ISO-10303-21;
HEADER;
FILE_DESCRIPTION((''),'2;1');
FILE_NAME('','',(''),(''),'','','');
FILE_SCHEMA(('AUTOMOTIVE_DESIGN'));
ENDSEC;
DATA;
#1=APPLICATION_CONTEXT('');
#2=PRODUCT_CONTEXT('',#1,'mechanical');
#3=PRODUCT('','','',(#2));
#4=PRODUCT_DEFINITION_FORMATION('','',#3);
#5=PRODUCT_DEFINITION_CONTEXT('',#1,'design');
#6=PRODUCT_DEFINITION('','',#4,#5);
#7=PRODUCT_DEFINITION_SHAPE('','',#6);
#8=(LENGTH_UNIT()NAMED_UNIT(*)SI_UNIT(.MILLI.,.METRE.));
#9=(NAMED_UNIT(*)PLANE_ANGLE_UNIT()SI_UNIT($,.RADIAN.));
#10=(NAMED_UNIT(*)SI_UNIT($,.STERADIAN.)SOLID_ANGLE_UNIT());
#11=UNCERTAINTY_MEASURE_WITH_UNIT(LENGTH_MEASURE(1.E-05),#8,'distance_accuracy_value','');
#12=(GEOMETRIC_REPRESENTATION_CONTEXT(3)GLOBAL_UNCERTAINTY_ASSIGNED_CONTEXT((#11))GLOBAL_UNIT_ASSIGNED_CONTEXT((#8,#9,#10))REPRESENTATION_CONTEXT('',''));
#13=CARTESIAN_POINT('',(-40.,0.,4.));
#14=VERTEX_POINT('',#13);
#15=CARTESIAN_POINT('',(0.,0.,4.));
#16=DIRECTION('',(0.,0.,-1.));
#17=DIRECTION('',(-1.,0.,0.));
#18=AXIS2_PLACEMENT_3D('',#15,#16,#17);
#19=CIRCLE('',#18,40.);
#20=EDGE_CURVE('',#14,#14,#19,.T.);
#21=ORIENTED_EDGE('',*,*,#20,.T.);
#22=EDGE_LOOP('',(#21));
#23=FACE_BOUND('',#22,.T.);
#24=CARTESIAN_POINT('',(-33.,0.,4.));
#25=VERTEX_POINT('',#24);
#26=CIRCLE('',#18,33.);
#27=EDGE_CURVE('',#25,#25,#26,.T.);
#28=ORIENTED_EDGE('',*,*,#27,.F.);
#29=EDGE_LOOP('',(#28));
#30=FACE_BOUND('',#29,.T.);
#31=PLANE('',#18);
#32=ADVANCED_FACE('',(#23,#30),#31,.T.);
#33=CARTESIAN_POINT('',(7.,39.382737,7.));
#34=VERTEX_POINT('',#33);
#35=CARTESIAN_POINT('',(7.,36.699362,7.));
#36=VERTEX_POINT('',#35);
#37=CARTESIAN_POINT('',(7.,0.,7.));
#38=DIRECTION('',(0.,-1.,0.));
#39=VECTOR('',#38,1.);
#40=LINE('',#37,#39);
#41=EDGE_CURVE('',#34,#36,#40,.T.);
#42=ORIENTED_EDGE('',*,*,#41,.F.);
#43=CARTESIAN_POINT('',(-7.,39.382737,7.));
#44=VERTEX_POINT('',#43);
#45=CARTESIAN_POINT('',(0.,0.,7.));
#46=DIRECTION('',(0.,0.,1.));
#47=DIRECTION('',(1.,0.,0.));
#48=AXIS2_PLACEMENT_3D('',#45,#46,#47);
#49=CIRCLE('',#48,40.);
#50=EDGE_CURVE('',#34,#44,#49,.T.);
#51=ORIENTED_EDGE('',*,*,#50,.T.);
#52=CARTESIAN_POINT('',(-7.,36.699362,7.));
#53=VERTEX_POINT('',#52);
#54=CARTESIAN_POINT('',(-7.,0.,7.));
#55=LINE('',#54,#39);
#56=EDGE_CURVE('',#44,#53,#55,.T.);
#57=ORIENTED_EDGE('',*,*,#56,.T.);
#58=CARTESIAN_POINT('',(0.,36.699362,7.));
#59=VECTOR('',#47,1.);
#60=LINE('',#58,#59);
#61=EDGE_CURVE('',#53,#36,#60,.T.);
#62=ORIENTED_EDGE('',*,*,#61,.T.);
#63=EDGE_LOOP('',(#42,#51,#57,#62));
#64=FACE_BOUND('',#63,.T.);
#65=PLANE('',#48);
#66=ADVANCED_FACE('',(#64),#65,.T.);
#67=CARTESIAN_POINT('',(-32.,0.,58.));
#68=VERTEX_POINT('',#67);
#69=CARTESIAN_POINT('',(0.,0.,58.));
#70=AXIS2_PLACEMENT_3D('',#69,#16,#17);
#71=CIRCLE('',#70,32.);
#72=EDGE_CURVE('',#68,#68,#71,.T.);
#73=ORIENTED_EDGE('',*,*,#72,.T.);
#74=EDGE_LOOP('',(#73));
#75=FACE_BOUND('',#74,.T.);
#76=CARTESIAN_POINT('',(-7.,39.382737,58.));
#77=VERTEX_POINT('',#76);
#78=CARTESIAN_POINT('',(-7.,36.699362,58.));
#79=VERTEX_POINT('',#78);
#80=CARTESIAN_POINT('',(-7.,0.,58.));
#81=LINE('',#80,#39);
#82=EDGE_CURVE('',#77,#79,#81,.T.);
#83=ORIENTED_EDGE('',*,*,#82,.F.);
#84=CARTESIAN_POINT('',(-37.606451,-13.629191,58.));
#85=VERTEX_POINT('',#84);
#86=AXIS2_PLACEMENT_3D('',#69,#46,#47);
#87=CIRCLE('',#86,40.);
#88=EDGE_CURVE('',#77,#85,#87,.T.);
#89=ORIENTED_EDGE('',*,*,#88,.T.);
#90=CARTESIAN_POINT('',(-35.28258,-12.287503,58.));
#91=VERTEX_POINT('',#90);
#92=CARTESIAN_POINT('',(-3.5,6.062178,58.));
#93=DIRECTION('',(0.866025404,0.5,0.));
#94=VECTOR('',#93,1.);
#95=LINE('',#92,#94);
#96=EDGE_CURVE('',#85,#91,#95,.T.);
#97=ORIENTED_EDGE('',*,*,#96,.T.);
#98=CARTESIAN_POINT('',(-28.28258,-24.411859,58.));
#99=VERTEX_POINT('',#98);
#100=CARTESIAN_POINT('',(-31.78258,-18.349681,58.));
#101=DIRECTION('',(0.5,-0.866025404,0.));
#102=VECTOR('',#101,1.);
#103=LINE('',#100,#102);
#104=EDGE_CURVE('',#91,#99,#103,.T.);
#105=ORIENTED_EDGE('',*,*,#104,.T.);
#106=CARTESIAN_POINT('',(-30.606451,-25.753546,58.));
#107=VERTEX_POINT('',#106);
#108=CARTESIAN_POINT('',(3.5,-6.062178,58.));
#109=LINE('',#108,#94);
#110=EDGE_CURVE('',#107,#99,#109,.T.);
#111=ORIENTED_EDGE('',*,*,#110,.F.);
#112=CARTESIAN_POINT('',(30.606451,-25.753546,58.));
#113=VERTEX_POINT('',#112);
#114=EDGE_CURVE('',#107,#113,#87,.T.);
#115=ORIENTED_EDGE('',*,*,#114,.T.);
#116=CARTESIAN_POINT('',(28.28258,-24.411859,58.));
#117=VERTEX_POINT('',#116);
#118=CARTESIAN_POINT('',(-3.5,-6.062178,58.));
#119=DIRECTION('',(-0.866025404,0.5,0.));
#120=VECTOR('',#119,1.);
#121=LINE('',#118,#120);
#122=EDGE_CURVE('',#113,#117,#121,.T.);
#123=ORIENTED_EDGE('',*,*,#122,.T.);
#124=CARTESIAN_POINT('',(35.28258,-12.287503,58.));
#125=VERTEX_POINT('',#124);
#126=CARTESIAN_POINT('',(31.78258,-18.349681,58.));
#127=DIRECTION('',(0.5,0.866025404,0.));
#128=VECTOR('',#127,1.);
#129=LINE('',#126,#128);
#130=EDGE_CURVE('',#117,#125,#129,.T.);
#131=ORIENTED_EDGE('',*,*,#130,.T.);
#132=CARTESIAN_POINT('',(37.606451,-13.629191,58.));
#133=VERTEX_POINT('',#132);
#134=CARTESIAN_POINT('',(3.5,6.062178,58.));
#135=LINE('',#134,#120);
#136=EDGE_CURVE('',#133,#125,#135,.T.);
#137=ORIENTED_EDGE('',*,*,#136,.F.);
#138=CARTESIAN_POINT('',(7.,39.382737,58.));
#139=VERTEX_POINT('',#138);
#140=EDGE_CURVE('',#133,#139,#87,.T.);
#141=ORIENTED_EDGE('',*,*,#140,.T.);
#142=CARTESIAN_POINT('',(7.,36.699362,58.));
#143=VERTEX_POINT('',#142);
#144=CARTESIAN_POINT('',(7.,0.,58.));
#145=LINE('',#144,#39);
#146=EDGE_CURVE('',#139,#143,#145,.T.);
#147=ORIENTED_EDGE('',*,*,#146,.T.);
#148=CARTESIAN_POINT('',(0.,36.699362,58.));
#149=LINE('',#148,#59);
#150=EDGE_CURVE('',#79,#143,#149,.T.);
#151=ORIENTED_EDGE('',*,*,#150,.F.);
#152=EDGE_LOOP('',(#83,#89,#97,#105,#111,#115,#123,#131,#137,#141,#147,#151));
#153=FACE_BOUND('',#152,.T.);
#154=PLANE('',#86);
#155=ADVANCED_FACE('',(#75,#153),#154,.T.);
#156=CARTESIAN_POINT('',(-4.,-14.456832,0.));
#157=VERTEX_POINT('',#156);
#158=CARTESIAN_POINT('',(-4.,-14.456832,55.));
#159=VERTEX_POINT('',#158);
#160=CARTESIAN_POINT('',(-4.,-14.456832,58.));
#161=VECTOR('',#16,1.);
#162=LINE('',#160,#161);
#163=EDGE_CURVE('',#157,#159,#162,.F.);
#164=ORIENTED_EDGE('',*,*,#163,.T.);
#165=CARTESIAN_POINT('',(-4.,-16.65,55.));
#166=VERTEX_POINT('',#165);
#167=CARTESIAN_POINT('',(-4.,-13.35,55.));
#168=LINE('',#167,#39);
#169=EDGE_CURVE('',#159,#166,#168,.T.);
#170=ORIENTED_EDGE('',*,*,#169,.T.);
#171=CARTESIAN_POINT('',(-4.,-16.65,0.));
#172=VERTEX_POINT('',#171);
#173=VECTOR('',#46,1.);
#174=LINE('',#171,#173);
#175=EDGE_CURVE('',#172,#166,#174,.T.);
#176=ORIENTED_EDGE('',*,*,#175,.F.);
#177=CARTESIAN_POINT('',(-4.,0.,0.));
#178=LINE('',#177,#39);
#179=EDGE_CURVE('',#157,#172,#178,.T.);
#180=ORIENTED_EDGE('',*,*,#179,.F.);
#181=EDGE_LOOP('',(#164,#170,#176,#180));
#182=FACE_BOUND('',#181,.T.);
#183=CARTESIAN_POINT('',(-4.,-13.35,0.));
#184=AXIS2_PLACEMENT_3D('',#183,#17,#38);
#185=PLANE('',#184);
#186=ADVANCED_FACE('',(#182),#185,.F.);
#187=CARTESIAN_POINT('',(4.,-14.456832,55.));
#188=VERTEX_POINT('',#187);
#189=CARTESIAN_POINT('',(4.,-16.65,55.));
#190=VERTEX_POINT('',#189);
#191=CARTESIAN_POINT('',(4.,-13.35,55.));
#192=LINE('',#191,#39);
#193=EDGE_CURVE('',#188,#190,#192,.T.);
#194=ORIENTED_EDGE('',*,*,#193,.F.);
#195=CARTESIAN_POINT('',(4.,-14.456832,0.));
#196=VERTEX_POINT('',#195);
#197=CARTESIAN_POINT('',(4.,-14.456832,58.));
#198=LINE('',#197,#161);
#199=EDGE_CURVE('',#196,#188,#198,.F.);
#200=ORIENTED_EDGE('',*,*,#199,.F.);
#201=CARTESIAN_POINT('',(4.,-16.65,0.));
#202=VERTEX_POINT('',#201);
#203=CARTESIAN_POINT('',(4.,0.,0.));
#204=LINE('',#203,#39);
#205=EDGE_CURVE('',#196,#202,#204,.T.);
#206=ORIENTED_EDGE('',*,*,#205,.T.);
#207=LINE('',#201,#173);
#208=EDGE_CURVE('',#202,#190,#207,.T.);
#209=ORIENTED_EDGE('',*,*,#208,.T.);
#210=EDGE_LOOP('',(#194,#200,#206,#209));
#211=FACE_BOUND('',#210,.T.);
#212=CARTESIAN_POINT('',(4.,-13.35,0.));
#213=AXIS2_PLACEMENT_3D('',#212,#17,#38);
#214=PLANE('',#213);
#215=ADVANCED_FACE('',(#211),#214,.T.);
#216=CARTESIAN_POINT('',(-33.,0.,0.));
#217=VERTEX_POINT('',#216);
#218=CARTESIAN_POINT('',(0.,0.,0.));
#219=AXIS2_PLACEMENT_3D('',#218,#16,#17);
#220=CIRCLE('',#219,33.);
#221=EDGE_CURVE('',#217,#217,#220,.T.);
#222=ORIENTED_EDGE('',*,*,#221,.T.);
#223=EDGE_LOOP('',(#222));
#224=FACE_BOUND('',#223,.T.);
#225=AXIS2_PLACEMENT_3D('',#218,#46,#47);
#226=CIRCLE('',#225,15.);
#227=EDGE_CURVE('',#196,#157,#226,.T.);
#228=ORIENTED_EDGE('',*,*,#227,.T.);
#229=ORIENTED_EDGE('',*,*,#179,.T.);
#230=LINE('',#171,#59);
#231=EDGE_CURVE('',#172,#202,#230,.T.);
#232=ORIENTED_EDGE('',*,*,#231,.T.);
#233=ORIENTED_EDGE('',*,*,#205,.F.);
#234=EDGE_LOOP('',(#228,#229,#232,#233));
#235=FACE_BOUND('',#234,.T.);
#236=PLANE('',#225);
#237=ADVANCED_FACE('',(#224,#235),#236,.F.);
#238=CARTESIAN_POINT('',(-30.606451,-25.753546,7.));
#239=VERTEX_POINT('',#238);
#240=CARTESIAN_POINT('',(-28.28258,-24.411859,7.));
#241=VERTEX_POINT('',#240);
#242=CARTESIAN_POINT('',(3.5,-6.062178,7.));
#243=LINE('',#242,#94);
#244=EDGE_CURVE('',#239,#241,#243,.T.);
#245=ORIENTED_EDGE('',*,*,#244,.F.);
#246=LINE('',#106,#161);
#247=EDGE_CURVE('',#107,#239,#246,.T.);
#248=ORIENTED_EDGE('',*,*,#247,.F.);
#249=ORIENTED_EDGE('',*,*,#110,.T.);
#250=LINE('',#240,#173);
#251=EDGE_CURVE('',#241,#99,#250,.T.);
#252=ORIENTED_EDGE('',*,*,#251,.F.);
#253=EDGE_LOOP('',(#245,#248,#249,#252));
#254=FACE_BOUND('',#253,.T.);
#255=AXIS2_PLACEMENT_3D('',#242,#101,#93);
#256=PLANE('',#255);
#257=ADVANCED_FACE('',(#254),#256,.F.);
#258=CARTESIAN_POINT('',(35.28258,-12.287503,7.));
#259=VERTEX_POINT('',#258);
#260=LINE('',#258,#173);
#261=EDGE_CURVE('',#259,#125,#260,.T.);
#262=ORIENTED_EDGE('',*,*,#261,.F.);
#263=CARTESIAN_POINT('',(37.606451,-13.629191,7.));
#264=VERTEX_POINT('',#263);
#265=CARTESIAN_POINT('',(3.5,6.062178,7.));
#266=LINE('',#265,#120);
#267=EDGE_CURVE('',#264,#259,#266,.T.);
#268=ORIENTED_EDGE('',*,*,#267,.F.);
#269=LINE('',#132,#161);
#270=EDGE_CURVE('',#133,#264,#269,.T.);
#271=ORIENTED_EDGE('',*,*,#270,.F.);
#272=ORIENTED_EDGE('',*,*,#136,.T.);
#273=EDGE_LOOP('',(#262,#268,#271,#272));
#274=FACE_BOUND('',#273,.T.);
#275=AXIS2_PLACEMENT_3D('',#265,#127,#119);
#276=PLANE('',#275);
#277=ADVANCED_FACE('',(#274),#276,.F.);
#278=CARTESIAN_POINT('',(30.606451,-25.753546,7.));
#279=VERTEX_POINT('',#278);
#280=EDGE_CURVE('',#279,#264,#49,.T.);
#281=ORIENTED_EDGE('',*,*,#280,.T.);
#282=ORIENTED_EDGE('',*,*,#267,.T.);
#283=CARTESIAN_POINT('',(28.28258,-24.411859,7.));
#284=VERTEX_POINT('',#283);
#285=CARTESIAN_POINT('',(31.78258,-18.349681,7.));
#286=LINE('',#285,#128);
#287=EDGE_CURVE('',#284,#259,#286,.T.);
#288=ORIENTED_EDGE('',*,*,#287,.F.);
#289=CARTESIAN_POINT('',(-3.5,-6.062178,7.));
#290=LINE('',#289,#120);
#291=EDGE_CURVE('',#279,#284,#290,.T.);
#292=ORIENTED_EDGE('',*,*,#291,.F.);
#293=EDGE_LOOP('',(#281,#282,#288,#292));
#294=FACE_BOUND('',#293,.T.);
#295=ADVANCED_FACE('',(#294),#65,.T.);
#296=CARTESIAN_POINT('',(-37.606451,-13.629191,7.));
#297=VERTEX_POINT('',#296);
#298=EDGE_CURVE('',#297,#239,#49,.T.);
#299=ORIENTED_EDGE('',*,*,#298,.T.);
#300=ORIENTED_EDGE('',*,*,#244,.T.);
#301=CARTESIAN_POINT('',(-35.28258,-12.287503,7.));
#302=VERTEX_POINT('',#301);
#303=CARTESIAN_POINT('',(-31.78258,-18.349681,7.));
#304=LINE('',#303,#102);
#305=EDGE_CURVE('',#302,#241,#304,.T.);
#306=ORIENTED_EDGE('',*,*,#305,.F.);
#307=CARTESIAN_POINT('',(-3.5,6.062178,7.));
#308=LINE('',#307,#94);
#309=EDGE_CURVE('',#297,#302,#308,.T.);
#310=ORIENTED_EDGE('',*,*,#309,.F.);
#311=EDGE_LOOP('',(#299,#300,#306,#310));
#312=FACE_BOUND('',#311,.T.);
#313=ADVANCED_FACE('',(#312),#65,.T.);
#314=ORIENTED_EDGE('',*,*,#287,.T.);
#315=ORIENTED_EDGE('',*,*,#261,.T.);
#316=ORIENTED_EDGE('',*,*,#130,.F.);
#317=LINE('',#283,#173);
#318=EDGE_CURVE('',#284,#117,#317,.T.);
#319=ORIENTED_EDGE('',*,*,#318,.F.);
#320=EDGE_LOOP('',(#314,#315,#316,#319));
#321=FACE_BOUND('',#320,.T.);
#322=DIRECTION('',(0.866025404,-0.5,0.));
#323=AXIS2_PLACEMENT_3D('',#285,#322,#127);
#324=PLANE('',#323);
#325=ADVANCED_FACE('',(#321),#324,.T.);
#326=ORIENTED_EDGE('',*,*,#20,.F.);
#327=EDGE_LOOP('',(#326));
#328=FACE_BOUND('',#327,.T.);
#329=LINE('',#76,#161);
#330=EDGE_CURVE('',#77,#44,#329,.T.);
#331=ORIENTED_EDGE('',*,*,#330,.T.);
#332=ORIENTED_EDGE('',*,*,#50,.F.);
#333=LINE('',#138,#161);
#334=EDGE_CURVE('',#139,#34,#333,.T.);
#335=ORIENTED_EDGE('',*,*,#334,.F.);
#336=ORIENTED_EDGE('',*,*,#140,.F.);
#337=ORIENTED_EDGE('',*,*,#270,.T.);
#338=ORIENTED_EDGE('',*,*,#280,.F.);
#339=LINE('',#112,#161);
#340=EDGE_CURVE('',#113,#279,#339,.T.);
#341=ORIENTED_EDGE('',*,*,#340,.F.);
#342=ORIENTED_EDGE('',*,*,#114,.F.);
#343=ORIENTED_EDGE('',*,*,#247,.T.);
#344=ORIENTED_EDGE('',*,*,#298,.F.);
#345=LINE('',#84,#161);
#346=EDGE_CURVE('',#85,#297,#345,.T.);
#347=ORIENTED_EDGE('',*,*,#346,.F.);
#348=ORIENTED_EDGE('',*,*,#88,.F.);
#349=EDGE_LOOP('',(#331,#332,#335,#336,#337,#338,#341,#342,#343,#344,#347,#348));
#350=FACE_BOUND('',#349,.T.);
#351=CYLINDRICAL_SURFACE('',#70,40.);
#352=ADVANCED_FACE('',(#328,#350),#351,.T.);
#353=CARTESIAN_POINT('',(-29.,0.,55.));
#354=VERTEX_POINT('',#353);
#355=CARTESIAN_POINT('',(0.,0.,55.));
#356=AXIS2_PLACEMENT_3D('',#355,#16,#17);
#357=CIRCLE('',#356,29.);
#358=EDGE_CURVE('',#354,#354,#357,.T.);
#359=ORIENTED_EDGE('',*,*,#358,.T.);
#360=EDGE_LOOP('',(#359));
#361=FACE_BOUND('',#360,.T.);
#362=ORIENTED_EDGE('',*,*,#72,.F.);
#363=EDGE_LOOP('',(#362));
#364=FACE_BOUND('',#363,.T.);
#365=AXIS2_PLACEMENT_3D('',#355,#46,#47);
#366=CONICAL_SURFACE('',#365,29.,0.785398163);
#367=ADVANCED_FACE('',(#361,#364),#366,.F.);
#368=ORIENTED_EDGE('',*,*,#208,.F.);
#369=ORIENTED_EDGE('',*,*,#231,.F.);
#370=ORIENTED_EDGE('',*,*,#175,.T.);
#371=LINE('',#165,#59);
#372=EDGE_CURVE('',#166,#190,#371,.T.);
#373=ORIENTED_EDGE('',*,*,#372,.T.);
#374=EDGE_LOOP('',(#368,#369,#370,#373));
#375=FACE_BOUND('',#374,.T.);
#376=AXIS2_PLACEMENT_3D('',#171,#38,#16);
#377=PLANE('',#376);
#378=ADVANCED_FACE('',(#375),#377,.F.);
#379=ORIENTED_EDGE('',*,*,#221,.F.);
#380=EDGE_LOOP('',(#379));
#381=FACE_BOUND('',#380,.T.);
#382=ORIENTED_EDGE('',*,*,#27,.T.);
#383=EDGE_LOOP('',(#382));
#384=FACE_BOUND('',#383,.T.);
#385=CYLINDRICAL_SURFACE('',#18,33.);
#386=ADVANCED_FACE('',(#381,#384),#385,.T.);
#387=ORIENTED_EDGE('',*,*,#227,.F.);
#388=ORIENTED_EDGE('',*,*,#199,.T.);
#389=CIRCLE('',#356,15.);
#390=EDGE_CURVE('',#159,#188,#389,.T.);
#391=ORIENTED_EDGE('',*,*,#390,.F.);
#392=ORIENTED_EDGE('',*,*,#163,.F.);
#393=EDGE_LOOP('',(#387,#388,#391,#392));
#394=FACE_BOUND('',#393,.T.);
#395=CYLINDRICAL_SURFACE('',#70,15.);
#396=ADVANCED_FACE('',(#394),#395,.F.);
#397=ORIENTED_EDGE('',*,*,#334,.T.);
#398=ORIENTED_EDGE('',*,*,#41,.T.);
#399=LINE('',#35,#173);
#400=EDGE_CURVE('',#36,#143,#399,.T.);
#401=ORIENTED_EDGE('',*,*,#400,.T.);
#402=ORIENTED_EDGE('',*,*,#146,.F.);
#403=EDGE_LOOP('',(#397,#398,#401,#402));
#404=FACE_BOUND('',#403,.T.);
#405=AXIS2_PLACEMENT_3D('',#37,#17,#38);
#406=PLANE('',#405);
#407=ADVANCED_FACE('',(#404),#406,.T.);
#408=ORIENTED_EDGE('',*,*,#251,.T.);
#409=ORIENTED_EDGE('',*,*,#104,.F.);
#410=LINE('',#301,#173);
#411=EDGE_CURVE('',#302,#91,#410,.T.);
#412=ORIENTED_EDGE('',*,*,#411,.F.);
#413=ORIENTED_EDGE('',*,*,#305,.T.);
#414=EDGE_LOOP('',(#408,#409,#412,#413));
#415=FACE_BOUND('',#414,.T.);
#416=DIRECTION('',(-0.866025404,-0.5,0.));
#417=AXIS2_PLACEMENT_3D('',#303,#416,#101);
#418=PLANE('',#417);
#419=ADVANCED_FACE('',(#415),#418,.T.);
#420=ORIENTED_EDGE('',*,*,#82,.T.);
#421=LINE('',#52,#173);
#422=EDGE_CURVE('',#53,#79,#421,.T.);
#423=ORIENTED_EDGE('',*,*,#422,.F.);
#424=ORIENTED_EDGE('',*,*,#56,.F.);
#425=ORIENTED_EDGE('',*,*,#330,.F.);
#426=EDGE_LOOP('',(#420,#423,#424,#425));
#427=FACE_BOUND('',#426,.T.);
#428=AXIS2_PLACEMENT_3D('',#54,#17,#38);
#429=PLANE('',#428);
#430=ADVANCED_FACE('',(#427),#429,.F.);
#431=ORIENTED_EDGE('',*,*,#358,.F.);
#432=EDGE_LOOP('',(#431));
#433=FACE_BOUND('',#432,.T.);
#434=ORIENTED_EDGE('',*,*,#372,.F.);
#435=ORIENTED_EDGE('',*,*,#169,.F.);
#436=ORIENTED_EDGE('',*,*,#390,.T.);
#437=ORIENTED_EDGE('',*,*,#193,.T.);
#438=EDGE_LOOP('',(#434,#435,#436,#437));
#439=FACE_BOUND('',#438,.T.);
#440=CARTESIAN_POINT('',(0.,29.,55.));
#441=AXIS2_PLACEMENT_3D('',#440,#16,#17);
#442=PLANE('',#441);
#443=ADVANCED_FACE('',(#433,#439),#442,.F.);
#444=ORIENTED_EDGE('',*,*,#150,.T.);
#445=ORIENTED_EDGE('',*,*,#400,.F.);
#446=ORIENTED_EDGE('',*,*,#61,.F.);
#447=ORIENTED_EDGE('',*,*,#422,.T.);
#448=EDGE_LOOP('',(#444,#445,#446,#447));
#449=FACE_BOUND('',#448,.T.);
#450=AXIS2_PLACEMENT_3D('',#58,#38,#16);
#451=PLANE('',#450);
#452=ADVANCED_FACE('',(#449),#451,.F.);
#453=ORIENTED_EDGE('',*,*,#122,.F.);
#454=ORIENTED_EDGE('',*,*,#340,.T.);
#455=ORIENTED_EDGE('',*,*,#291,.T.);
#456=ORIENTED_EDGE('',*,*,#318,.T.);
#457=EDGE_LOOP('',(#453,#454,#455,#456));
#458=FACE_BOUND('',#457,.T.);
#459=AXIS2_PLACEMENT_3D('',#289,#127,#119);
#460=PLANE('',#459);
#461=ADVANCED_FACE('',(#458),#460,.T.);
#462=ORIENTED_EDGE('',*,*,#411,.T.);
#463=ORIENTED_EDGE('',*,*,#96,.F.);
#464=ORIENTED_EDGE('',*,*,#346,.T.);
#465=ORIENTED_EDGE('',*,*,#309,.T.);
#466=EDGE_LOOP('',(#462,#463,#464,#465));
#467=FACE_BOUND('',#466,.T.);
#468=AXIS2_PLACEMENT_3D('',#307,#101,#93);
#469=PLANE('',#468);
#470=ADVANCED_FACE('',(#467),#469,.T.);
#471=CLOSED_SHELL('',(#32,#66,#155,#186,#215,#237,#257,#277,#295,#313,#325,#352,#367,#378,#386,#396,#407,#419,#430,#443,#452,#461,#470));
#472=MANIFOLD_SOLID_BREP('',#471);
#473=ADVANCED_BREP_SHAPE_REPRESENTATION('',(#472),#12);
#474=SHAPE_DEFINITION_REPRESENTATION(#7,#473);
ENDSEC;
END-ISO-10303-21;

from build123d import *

# Parameters (mm, degrees)
ESQUISSE1_R             = 40
ESQUISSE1_R_2           = 33
ESQUISSE1_R_3           = 15
BOSS_EXTRU_1_DEPTH      = 58
ESQUISSE2_W             = 8
ESQUISSE2_H             = 3.3
ENL_V_MAT_EXTRU_1_DEPTH = 82.018516402
ENL_V_START             = -51
ENL_V_MAT_EXTRU_2_DEPTH = 51
ESQUISSE4_R             = 40
ESQUISSE4_R_2           = 33
ENL_V_MAT_EXTRU_3_DEPTH = 4


with BuildPart() as part:
    # Esquisse1 → Boss.-Extru.1 (new body)
    # profile 1 of 2: a face of its own
    with BuildSketch(Plane.XY):
        with Locations(Location((0, 0, 0), (0, 0, 180))):
            Circle(ESQUISSE1_R)
        Circle(ESQUISSE1_R_2, mode=Mode.SUBTRACT)
    # profile 2 of 2: a face of its own
    with BuildSketch(Plane.XY):
        Circle(ESQUISSE1_R_2)
        with Locations(Location((0, 0, 0), (0, 0, 180))):
            Circle(ESQUISSE1_R_3, mode=Mode.SUBTRACT)
    extrude(amount=BOSS_EXTRU_1_DEPTH)

    # Esquisse2 → Enlèv. mat.-Extru.1 (cut, through all)
    with BuildSketch(Plane.XY.offset(58)):
        with Locations((0, -15)):
            Rectangle(ESQUISSE2_W, ESQUISSE2_H)
    extrude(amount=-ENL_V_MAT_EXTRU_1_DEPTH, mode=Mode.SUBTRACT)

    # Esquisse3 → Enlèv. mat.-Extru.2 (cut)
    with BuildSketch(Plane.XY.offset(58).offset(ENL_V_START)):
        with BuildLine():
            Line((40.999452493, -15.588141165), (37.606451003, -13.629190841))
            ThreePointArc((37.606451003, -13.629190841), (34.641016151, -20), (30.606451003, -25.753546494))
            Line((30.606451003, -25.753546494), (33.999452493, -27.712496818))
            Line((33.999452493, -27.712496818), (40.999452493, -15.588141165))
        make_face()
        with BuildLine():
            ThreePointArc((30.606451003, -25.753546494), (34.641016151, -20), (37.606451003, -13.629190841))
            Line((37.606451003, -13.629190841), (35.28257981, -12.287503182))
            Line((35.28257981, -12.287503182), (28.28257981, -24.411858835))
            Line((28.28257981, -24.411858835), (30.606451003, -25.753546494))
        make_face()
        with BuildLine():
            ThreePointArc((-30.606451003, -25.753546494), (-34.641016151, -20), (-37.606451003, -13.629190841))
            Line((-37.606451003, -13.629190841), (-40.999452493, -15.588141165))
            Line((-40.999452493, -15.588141165), (-33.999452493, -27.712496818))
            Line((-33.999452493, -27.712496818), (-30.606451003, -25.753546494))
        make_face()
        with BuildLine():
            Line((-35.28257981, -12.287503182), (-37.606451003, -13.629190841))
            ThreePointArc((-37.606451003, -13.629190841), (-34.641016151, -20), (-30.606451003, -25.753546494))
            Line((-30.606451003, -25.753546494), (-28.28257981, -24.411858835))
            Line((-28.28257981, -24.411858835), (-35.28257981, -12.287503182))
        make_face()
        with BuildLine():
            ThreePointArc((7, 39.382737335), (0, 40), (-7, 39.382737335))
            Line((-7, 39.382737335), (-7, 36.699362017))
            Line((-7, 36.699362017), (7, 36.699362017))
            Line((7, 36.699362017), (7, 39.382737335))
        make_face()
        with BuildLine():
            Line((7, 43.300637983), (-7, 43.300637983))
            Line((-7, 43.300637983), (-7, 39.382737335))
            ThreePointArc((-7, 39.382737335), (0, 40), (7, 39.382737335))
            Line((7, 39.382737335), (7, 43.300637983))
        make_face()
    extrude(amount=ENL_V_MAT_EXTRU_2_DEPTH, mode=Mode.SUBTRACT)

    # Esquisse4 → Enlèv. mat.-Extru.3 (cut)
    with BuildSketch(Plane(origin=(0, 0, 0), x_dir=(-1, 0, 0), z_dir=(0, 0, -1))):
        Circle(ESQUISSE4_R)
        Circle(ESQUISSE4_R_2, mode=Mode.SUBTRACT)
    extrude(amount=-ENL_V_MAT_EXTRU_3_DEPTH, mode=Mode.SUBTRACT)

    # Esquisse7 → Enlèvement de matière-Révolution2 (revolve, cut)
    with BuildSketch(Plane(origin=(0, 0, 0), x_dir=(0, 0, -1), z_dir=(1, 0, 0)), mode=Mode.PRIVATE) as enl_vement_de_mati_re_r_volution2_sk:
        Polygon((-58, 32), (-55, 29), (-55, 0), (-58, 0), align=None)
    revolve(enl_vement_de_mati_re_r_volution2_sk.sketch.rotate(Axis((0, 0, 0), (0, 0, 1)), 90), axis=Axis((0, 0, 0), (0, 0, 1)), mode=Mode.SUBTRACT)


solid = part.part
